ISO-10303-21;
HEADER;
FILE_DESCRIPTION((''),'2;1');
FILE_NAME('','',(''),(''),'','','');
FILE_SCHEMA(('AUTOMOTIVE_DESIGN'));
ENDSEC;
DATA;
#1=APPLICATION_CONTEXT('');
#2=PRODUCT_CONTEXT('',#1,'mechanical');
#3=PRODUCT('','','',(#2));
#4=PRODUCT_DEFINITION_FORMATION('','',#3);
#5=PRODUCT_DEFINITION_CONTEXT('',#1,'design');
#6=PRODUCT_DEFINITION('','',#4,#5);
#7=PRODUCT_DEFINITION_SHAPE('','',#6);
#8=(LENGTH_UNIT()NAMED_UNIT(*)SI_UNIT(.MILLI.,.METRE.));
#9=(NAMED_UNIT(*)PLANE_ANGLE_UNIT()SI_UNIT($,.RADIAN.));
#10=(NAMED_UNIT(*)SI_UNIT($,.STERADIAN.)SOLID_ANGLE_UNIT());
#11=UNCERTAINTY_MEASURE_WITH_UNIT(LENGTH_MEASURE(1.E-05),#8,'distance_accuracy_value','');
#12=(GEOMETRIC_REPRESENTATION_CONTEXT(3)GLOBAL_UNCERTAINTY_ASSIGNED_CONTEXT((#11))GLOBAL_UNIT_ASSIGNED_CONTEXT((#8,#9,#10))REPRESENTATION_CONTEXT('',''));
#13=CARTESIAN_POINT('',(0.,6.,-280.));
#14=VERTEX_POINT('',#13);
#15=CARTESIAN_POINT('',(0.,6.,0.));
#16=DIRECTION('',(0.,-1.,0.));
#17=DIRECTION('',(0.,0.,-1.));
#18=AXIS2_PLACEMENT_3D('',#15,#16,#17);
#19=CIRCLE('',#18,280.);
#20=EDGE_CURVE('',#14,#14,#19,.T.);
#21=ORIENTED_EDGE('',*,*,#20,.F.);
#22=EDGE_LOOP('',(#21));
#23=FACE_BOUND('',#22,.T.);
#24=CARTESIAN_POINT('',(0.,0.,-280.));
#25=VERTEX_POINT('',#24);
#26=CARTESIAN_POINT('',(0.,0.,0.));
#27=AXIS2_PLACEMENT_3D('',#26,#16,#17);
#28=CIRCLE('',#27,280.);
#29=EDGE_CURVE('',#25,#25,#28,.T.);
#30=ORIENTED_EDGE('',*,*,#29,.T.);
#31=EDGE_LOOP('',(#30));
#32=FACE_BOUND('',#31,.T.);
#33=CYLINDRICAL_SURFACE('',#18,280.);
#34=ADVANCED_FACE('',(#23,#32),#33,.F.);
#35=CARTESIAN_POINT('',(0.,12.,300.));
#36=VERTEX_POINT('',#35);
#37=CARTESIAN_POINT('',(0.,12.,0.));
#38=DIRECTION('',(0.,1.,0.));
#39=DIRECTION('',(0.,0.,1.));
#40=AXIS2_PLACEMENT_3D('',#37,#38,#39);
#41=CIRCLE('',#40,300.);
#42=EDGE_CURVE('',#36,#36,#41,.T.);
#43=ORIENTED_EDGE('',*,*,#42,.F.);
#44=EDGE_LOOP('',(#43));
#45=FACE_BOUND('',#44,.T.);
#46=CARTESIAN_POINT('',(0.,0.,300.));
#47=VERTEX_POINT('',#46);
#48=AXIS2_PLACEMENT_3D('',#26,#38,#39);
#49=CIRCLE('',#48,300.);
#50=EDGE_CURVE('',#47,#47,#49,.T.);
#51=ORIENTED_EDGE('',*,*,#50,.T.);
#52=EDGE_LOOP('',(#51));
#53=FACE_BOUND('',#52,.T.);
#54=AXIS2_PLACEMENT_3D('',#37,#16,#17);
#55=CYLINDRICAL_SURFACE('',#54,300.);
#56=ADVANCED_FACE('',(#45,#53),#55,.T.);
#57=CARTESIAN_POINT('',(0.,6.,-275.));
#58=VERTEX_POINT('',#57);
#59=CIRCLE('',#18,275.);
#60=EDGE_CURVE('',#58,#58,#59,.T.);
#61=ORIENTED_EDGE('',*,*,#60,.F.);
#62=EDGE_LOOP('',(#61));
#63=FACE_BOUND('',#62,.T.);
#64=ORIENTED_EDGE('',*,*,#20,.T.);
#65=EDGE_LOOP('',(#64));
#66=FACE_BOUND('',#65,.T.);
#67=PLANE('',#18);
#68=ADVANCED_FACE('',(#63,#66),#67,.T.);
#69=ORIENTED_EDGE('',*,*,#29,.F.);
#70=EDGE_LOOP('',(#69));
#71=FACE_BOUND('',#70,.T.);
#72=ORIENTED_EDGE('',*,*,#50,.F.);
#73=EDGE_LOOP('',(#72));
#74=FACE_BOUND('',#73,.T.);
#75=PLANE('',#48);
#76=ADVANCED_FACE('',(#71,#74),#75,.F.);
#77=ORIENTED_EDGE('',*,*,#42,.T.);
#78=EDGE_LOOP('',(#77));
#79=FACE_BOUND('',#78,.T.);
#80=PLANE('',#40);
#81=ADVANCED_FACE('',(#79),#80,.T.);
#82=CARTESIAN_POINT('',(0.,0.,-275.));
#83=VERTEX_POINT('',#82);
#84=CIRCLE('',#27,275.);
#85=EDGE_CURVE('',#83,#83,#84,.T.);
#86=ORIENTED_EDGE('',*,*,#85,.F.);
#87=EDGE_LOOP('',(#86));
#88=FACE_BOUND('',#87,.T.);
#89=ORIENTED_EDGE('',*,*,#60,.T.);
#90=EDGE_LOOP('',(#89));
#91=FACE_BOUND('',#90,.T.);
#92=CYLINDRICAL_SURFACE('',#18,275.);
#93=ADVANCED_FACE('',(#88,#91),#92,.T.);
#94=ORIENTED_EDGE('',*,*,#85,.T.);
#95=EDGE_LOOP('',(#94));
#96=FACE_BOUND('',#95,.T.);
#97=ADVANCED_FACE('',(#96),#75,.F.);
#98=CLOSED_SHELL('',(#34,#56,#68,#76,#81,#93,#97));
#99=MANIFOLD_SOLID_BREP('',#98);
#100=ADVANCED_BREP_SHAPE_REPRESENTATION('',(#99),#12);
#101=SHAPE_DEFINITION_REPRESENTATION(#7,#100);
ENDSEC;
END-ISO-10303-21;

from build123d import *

# Parameters (mm, degrees)
SKETCH1_R           = 300
BOSS_EXTRUDE1_DEPTH = 12
SKETCH2_R           = 280
SKETCH2_R_2         = 275
CUT_EXTRUDE1_DEPTH  = 6


with BuildPart() as part:
    # Sketch1 → Boss-Extrude1 (new body)
    with BuildSketch(Plane(origin=(0, 0, 0), x_dir=(1, 0, 0), z_dir=(0, 1, 0))):
        with Locations(Location((0, 0, 0), (0, 0, 270))):
            Circle(SKETCH1_R)
    extrude(amount=BOSS_EXTRUDE1_DEPTH)

    # Sketch2 → Cut-Extrude1 (cut)
    with BuildSketch(Plane.XZ):
        with Locations(Location((0, 0, 0), (0, 0, 270))):
            Circle(SKETCH2_R)
        with Locations(Location((0, 0, 0), (0, 0, 270))):
            Circle(SKETCH2_R_2, mode=Mode.SUBTRACT)
    extrude(amount=-CUT_EXTRUDE1_DEPTH, mode=Mode.SUBTRACT)


solid = part.part
